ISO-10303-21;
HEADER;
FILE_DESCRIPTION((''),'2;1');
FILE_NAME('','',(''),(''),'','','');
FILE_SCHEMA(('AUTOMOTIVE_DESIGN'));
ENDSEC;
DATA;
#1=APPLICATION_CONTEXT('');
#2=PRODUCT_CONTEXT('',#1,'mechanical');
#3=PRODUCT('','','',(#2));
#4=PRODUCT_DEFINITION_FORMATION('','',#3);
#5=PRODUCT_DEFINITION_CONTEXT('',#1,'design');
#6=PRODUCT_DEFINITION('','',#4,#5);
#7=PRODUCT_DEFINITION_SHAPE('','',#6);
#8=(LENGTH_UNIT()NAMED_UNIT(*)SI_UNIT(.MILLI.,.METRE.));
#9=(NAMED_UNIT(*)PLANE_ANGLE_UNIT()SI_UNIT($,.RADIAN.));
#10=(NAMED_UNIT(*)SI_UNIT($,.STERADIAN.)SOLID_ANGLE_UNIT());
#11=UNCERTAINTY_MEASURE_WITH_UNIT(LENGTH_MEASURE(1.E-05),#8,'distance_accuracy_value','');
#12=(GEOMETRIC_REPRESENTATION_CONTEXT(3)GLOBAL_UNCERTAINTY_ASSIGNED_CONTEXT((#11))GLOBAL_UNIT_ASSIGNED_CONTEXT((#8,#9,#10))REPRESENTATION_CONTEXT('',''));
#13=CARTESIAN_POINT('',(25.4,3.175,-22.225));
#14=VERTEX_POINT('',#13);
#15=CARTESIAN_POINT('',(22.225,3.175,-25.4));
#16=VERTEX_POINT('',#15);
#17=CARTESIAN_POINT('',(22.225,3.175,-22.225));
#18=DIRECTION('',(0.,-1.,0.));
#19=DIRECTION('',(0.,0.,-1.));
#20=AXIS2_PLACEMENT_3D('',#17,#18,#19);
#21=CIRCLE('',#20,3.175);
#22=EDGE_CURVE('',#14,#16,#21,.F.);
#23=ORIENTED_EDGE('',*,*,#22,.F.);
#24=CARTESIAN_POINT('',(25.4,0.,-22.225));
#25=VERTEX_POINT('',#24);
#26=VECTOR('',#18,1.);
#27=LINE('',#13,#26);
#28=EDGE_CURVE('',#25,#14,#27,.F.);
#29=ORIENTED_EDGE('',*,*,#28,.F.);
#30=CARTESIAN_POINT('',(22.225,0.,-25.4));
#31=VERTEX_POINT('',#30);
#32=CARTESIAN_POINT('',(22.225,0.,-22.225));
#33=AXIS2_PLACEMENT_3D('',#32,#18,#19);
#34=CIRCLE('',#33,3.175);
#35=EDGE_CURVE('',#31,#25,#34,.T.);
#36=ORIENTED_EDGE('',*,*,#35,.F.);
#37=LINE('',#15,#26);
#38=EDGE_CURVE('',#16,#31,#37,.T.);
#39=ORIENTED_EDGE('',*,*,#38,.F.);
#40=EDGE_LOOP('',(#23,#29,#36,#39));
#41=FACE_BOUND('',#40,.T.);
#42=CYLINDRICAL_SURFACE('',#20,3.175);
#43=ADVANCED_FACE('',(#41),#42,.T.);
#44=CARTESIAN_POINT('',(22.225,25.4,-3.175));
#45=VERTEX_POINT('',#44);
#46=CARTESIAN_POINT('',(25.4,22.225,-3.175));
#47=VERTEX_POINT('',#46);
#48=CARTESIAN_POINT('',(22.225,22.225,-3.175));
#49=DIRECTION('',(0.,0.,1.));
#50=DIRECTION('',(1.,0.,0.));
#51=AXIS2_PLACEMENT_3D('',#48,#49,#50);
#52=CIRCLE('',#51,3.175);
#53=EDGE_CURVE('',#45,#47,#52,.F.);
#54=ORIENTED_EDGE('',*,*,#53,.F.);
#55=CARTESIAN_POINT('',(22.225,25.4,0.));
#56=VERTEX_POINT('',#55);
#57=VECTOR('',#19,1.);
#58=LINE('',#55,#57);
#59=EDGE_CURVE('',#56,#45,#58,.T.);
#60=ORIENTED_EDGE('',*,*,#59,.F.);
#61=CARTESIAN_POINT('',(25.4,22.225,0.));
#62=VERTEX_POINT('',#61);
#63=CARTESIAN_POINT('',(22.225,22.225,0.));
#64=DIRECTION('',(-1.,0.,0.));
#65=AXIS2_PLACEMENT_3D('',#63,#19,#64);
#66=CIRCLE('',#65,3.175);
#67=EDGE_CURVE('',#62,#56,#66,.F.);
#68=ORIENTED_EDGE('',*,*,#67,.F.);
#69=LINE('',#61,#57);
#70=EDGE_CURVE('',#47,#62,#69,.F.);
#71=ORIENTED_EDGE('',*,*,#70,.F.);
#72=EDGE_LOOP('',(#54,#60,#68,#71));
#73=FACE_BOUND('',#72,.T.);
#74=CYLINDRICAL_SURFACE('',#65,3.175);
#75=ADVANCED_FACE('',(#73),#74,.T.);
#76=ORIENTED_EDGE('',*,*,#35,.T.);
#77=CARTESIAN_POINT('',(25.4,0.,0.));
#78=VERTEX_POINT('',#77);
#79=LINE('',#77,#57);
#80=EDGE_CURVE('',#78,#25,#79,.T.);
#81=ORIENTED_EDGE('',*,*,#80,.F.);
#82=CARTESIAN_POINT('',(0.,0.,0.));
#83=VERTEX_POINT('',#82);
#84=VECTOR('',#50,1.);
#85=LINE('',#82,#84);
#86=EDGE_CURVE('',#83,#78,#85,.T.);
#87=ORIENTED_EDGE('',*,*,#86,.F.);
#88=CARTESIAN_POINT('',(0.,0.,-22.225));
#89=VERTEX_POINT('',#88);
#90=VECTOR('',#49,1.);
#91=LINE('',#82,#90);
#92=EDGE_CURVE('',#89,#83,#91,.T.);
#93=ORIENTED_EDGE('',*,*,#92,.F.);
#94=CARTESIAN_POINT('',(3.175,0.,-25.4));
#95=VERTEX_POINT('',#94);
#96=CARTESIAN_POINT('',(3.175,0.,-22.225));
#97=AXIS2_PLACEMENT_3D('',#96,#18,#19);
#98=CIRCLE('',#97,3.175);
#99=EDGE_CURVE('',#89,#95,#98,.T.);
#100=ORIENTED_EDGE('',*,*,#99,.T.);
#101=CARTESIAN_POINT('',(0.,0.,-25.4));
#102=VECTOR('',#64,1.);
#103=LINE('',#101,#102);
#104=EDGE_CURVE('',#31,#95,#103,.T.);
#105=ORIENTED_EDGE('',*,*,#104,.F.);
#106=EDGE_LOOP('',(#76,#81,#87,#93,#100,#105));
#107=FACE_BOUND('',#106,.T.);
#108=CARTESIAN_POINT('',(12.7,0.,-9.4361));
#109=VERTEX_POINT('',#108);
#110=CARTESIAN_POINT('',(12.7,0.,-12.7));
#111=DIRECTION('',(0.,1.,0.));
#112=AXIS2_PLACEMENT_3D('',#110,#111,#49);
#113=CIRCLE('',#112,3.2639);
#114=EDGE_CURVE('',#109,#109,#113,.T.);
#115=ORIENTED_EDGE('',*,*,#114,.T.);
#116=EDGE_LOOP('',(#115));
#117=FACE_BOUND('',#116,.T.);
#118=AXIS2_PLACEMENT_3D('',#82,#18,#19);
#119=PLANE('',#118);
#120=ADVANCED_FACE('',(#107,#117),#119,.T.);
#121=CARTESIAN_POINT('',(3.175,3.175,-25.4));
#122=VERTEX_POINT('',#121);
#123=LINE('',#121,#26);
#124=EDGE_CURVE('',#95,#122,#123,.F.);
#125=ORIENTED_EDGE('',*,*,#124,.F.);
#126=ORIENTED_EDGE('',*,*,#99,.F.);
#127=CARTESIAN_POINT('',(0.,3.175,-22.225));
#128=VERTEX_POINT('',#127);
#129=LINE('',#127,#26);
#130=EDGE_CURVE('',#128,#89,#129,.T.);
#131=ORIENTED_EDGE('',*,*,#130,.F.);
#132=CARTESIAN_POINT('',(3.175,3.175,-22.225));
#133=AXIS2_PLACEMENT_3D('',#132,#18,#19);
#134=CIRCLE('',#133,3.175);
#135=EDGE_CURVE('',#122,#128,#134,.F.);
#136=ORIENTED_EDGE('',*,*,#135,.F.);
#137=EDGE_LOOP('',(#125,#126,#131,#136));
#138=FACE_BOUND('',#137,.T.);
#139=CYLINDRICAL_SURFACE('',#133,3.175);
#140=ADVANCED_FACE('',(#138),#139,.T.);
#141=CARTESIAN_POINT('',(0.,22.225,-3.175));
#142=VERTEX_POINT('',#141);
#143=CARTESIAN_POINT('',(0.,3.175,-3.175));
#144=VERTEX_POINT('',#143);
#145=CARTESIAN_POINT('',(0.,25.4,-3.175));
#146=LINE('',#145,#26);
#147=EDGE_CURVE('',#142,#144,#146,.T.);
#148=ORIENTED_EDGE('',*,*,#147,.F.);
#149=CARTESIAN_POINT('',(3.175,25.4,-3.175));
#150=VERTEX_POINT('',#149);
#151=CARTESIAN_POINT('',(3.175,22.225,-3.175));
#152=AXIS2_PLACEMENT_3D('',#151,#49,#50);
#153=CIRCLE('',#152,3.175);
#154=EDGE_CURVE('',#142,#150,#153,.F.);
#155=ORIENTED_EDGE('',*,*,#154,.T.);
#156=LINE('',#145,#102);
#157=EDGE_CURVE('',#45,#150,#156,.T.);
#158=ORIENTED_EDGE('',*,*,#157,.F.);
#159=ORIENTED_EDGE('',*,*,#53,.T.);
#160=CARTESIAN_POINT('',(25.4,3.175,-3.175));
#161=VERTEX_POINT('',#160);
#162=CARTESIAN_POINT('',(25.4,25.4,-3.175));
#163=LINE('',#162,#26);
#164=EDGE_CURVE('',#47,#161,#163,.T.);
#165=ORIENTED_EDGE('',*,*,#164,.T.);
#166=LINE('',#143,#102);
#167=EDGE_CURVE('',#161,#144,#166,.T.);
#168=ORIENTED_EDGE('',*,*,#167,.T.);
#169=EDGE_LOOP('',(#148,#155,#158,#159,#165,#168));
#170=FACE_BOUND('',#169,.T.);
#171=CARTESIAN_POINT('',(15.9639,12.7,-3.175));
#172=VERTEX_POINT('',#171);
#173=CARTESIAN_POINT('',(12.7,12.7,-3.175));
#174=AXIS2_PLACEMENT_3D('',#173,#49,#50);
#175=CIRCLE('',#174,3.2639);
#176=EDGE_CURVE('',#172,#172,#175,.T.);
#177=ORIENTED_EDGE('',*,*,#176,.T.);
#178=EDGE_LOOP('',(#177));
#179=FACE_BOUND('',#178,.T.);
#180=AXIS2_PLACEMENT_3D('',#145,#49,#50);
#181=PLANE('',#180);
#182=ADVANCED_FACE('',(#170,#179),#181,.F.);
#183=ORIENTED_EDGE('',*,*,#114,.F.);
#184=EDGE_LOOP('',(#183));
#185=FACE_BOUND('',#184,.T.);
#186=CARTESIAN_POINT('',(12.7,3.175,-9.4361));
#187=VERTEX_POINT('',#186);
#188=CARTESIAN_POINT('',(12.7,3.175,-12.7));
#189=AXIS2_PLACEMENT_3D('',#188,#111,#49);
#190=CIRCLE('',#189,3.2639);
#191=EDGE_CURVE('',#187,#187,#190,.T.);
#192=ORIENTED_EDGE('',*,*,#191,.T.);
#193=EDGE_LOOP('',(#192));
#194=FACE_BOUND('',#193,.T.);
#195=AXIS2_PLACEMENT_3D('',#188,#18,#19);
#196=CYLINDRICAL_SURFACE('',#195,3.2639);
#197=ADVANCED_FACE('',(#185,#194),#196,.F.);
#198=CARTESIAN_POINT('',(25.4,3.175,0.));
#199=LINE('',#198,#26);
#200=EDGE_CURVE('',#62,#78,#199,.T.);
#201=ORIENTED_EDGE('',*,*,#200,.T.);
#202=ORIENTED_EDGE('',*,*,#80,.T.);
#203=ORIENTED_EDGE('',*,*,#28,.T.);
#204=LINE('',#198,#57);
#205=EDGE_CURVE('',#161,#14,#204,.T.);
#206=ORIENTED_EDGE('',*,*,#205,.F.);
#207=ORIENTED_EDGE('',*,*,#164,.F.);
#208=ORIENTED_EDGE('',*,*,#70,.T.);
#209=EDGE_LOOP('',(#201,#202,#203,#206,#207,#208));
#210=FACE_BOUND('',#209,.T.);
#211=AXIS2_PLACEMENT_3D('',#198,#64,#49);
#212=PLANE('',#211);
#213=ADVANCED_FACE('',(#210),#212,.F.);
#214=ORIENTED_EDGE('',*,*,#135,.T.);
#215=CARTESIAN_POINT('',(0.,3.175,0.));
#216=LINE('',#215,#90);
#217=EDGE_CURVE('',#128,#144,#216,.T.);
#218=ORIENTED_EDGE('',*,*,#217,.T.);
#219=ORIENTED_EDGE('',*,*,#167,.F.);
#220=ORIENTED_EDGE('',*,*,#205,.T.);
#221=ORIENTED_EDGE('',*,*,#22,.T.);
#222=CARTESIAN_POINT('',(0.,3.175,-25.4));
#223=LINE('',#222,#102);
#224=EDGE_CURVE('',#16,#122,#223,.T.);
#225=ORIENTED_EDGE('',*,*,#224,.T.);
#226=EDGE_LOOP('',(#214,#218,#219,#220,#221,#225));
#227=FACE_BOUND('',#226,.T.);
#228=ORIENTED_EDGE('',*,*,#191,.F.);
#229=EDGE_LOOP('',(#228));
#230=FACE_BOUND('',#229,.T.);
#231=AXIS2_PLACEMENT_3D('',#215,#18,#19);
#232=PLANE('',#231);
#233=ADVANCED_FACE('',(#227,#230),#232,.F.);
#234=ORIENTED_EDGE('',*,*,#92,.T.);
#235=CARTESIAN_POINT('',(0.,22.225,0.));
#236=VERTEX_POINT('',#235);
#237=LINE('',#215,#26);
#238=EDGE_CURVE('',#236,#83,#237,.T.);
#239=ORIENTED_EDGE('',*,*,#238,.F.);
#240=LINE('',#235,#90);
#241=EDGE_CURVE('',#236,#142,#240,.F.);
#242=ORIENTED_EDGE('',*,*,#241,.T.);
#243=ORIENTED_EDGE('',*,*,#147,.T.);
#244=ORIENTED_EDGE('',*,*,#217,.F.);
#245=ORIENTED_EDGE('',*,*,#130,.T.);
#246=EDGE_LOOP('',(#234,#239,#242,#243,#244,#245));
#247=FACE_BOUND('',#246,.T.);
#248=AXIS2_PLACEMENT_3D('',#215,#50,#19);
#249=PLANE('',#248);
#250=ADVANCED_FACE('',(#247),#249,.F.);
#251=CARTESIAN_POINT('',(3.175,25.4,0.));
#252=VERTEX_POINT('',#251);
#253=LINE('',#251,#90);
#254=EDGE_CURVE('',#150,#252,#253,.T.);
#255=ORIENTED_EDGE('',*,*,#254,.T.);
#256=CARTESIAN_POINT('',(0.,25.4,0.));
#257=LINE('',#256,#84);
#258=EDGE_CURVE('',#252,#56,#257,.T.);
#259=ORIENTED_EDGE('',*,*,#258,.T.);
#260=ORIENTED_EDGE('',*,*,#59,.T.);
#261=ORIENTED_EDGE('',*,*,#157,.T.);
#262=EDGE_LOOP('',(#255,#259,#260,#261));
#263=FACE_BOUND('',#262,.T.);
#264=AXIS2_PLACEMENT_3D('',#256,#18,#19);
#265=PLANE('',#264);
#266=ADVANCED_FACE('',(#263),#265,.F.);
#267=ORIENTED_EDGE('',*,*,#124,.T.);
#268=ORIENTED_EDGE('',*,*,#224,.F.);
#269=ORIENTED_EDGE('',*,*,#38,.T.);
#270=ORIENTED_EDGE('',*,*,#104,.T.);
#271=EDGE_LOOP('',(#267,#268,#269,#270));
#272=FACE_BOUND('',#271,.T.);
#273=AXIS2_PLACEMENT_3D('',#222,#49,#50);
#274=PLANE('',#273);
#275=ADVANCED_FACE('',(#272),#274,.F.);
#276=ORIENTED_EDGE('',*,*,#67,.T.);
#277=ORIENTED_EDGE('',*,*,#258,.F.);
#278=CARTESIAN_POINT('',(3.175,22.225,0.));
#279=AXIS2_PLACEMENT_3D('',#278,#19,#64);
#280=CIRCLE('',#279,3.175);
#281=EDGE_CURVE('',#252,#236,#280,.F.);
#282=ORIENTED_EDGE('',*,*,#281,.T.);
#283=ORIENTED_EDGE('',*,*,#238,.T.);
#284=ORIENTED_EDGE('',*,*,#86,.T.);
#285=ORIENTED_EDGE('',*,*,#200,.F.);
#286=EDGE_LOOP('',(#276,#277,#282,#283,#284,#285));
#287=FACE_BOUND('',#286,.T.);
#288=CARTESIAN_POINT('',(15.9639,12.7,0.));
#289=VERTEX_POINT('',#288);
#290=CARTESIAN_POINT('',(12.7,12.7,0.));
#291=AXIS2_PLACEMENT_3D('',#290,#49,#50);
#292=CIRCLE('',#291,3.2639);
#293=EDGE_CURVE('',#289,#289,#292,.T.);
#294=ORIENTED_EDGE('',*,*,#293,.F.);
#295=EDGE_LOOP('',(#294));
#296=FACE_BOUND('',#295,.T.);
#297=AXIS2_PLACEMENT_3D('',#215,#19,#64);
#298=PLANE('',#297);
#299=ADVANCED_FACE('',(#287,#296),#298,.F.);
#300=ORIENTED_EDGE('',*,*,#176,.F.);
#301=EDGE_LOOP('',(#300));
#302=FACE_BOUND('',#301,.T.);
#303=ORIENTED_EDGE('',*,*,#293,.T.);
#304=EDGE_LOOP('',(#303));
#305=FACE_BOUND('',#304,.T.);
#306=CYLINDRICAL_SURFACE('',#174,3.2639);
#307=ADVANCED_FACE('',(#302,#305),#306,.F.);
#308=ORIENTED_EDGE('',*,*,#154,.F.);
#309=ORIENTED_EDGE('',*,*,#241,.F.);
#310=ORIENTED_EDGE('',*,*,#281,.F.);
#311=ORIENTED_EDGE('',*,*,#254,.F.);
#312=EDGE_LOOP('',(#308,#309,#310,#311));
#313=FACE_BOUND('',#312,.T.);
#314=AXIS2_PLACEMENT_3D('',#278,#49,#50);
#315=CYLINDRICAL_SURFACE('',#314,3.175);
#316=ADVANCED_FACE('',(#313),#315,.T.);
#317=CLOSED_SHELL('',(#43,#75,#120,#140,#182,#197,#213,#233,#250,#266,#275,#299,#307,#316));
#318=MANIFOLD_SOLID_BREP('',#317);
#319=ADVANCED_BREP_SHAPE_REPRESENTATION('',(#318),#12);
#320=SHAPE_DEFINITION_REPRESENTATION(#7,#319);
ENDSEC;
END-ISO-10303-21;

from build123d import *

# Parameters (mm, degrees)
SKETCH1_W           = 25.4
SKETCH1_H           = 25.4
SKETCH1_R           = 3.2639
BOSS_EXTRUDE1_DEPTH = 3.175
SKETCH2_W           = 25.4
SKETCH2_H           = 3.175
BOSS_EXTRUDE2_DEPTH = 22.225
SKETCH3_R           = 3.2639
CUT_EXTRUDE1_DEPTH  = 3.175
FILLET1_R           = 3.175


with BuildPart() as part:
    # Sketch1 → Boss-Extrude1 (new body)
    with BuildSketch(Plane(origin=(0, 0, 0), x_dir=(1, 0, 0), z_dir=(0, 1, 0))):
        with Locations((12.7, 12.7)):
            Rectangle(SKETCH1_W, SKETCH1_H)
        with Locations((12.7, 12.7)):
            Circle(SKETCH1_R, mode=Mode.SUBTRACT)
    extrude(amount=BOSS_EXTRUDE1_DEPTH)

    # Sketch2 → Boss-Extrude2 (add)
    with BuildSketch(Plane(origin=(0, 3.175, 0), x_dir=(1, 0, 0), z_dir=(0, 1, 0))):
        with Locations((12.7, 1.5875)):
            Rectangle(SKETCH2_W, SKETCH2_H)
    extrude(amount=BOSS_EXTRUDE2_DEPTH)

    # Sketch3 → Cut-Extrude1 (cut)
    with BuildSketch(Plane.XY):
        with Locations((12.7, 12.7)):
            Circle(SKETCH3_R)
    extrude(amount=-CUT_EXTRUDE1_DEPTH, mode=Mode.SUBTRACT)

    # Fillet1
    fillet1_edges = [part.edges().sort_by_distance(p)[0] for p in [
        (0, 25.4, -1.5875),
        (25.4, 25.4, -1.5875),
        (0, 1.5875, -25.4),
        (25.4, 1.5875, -25.4),
    ]]
    fillet(fillet1_edges, radius=FILLET1_R)


solid = part.part
